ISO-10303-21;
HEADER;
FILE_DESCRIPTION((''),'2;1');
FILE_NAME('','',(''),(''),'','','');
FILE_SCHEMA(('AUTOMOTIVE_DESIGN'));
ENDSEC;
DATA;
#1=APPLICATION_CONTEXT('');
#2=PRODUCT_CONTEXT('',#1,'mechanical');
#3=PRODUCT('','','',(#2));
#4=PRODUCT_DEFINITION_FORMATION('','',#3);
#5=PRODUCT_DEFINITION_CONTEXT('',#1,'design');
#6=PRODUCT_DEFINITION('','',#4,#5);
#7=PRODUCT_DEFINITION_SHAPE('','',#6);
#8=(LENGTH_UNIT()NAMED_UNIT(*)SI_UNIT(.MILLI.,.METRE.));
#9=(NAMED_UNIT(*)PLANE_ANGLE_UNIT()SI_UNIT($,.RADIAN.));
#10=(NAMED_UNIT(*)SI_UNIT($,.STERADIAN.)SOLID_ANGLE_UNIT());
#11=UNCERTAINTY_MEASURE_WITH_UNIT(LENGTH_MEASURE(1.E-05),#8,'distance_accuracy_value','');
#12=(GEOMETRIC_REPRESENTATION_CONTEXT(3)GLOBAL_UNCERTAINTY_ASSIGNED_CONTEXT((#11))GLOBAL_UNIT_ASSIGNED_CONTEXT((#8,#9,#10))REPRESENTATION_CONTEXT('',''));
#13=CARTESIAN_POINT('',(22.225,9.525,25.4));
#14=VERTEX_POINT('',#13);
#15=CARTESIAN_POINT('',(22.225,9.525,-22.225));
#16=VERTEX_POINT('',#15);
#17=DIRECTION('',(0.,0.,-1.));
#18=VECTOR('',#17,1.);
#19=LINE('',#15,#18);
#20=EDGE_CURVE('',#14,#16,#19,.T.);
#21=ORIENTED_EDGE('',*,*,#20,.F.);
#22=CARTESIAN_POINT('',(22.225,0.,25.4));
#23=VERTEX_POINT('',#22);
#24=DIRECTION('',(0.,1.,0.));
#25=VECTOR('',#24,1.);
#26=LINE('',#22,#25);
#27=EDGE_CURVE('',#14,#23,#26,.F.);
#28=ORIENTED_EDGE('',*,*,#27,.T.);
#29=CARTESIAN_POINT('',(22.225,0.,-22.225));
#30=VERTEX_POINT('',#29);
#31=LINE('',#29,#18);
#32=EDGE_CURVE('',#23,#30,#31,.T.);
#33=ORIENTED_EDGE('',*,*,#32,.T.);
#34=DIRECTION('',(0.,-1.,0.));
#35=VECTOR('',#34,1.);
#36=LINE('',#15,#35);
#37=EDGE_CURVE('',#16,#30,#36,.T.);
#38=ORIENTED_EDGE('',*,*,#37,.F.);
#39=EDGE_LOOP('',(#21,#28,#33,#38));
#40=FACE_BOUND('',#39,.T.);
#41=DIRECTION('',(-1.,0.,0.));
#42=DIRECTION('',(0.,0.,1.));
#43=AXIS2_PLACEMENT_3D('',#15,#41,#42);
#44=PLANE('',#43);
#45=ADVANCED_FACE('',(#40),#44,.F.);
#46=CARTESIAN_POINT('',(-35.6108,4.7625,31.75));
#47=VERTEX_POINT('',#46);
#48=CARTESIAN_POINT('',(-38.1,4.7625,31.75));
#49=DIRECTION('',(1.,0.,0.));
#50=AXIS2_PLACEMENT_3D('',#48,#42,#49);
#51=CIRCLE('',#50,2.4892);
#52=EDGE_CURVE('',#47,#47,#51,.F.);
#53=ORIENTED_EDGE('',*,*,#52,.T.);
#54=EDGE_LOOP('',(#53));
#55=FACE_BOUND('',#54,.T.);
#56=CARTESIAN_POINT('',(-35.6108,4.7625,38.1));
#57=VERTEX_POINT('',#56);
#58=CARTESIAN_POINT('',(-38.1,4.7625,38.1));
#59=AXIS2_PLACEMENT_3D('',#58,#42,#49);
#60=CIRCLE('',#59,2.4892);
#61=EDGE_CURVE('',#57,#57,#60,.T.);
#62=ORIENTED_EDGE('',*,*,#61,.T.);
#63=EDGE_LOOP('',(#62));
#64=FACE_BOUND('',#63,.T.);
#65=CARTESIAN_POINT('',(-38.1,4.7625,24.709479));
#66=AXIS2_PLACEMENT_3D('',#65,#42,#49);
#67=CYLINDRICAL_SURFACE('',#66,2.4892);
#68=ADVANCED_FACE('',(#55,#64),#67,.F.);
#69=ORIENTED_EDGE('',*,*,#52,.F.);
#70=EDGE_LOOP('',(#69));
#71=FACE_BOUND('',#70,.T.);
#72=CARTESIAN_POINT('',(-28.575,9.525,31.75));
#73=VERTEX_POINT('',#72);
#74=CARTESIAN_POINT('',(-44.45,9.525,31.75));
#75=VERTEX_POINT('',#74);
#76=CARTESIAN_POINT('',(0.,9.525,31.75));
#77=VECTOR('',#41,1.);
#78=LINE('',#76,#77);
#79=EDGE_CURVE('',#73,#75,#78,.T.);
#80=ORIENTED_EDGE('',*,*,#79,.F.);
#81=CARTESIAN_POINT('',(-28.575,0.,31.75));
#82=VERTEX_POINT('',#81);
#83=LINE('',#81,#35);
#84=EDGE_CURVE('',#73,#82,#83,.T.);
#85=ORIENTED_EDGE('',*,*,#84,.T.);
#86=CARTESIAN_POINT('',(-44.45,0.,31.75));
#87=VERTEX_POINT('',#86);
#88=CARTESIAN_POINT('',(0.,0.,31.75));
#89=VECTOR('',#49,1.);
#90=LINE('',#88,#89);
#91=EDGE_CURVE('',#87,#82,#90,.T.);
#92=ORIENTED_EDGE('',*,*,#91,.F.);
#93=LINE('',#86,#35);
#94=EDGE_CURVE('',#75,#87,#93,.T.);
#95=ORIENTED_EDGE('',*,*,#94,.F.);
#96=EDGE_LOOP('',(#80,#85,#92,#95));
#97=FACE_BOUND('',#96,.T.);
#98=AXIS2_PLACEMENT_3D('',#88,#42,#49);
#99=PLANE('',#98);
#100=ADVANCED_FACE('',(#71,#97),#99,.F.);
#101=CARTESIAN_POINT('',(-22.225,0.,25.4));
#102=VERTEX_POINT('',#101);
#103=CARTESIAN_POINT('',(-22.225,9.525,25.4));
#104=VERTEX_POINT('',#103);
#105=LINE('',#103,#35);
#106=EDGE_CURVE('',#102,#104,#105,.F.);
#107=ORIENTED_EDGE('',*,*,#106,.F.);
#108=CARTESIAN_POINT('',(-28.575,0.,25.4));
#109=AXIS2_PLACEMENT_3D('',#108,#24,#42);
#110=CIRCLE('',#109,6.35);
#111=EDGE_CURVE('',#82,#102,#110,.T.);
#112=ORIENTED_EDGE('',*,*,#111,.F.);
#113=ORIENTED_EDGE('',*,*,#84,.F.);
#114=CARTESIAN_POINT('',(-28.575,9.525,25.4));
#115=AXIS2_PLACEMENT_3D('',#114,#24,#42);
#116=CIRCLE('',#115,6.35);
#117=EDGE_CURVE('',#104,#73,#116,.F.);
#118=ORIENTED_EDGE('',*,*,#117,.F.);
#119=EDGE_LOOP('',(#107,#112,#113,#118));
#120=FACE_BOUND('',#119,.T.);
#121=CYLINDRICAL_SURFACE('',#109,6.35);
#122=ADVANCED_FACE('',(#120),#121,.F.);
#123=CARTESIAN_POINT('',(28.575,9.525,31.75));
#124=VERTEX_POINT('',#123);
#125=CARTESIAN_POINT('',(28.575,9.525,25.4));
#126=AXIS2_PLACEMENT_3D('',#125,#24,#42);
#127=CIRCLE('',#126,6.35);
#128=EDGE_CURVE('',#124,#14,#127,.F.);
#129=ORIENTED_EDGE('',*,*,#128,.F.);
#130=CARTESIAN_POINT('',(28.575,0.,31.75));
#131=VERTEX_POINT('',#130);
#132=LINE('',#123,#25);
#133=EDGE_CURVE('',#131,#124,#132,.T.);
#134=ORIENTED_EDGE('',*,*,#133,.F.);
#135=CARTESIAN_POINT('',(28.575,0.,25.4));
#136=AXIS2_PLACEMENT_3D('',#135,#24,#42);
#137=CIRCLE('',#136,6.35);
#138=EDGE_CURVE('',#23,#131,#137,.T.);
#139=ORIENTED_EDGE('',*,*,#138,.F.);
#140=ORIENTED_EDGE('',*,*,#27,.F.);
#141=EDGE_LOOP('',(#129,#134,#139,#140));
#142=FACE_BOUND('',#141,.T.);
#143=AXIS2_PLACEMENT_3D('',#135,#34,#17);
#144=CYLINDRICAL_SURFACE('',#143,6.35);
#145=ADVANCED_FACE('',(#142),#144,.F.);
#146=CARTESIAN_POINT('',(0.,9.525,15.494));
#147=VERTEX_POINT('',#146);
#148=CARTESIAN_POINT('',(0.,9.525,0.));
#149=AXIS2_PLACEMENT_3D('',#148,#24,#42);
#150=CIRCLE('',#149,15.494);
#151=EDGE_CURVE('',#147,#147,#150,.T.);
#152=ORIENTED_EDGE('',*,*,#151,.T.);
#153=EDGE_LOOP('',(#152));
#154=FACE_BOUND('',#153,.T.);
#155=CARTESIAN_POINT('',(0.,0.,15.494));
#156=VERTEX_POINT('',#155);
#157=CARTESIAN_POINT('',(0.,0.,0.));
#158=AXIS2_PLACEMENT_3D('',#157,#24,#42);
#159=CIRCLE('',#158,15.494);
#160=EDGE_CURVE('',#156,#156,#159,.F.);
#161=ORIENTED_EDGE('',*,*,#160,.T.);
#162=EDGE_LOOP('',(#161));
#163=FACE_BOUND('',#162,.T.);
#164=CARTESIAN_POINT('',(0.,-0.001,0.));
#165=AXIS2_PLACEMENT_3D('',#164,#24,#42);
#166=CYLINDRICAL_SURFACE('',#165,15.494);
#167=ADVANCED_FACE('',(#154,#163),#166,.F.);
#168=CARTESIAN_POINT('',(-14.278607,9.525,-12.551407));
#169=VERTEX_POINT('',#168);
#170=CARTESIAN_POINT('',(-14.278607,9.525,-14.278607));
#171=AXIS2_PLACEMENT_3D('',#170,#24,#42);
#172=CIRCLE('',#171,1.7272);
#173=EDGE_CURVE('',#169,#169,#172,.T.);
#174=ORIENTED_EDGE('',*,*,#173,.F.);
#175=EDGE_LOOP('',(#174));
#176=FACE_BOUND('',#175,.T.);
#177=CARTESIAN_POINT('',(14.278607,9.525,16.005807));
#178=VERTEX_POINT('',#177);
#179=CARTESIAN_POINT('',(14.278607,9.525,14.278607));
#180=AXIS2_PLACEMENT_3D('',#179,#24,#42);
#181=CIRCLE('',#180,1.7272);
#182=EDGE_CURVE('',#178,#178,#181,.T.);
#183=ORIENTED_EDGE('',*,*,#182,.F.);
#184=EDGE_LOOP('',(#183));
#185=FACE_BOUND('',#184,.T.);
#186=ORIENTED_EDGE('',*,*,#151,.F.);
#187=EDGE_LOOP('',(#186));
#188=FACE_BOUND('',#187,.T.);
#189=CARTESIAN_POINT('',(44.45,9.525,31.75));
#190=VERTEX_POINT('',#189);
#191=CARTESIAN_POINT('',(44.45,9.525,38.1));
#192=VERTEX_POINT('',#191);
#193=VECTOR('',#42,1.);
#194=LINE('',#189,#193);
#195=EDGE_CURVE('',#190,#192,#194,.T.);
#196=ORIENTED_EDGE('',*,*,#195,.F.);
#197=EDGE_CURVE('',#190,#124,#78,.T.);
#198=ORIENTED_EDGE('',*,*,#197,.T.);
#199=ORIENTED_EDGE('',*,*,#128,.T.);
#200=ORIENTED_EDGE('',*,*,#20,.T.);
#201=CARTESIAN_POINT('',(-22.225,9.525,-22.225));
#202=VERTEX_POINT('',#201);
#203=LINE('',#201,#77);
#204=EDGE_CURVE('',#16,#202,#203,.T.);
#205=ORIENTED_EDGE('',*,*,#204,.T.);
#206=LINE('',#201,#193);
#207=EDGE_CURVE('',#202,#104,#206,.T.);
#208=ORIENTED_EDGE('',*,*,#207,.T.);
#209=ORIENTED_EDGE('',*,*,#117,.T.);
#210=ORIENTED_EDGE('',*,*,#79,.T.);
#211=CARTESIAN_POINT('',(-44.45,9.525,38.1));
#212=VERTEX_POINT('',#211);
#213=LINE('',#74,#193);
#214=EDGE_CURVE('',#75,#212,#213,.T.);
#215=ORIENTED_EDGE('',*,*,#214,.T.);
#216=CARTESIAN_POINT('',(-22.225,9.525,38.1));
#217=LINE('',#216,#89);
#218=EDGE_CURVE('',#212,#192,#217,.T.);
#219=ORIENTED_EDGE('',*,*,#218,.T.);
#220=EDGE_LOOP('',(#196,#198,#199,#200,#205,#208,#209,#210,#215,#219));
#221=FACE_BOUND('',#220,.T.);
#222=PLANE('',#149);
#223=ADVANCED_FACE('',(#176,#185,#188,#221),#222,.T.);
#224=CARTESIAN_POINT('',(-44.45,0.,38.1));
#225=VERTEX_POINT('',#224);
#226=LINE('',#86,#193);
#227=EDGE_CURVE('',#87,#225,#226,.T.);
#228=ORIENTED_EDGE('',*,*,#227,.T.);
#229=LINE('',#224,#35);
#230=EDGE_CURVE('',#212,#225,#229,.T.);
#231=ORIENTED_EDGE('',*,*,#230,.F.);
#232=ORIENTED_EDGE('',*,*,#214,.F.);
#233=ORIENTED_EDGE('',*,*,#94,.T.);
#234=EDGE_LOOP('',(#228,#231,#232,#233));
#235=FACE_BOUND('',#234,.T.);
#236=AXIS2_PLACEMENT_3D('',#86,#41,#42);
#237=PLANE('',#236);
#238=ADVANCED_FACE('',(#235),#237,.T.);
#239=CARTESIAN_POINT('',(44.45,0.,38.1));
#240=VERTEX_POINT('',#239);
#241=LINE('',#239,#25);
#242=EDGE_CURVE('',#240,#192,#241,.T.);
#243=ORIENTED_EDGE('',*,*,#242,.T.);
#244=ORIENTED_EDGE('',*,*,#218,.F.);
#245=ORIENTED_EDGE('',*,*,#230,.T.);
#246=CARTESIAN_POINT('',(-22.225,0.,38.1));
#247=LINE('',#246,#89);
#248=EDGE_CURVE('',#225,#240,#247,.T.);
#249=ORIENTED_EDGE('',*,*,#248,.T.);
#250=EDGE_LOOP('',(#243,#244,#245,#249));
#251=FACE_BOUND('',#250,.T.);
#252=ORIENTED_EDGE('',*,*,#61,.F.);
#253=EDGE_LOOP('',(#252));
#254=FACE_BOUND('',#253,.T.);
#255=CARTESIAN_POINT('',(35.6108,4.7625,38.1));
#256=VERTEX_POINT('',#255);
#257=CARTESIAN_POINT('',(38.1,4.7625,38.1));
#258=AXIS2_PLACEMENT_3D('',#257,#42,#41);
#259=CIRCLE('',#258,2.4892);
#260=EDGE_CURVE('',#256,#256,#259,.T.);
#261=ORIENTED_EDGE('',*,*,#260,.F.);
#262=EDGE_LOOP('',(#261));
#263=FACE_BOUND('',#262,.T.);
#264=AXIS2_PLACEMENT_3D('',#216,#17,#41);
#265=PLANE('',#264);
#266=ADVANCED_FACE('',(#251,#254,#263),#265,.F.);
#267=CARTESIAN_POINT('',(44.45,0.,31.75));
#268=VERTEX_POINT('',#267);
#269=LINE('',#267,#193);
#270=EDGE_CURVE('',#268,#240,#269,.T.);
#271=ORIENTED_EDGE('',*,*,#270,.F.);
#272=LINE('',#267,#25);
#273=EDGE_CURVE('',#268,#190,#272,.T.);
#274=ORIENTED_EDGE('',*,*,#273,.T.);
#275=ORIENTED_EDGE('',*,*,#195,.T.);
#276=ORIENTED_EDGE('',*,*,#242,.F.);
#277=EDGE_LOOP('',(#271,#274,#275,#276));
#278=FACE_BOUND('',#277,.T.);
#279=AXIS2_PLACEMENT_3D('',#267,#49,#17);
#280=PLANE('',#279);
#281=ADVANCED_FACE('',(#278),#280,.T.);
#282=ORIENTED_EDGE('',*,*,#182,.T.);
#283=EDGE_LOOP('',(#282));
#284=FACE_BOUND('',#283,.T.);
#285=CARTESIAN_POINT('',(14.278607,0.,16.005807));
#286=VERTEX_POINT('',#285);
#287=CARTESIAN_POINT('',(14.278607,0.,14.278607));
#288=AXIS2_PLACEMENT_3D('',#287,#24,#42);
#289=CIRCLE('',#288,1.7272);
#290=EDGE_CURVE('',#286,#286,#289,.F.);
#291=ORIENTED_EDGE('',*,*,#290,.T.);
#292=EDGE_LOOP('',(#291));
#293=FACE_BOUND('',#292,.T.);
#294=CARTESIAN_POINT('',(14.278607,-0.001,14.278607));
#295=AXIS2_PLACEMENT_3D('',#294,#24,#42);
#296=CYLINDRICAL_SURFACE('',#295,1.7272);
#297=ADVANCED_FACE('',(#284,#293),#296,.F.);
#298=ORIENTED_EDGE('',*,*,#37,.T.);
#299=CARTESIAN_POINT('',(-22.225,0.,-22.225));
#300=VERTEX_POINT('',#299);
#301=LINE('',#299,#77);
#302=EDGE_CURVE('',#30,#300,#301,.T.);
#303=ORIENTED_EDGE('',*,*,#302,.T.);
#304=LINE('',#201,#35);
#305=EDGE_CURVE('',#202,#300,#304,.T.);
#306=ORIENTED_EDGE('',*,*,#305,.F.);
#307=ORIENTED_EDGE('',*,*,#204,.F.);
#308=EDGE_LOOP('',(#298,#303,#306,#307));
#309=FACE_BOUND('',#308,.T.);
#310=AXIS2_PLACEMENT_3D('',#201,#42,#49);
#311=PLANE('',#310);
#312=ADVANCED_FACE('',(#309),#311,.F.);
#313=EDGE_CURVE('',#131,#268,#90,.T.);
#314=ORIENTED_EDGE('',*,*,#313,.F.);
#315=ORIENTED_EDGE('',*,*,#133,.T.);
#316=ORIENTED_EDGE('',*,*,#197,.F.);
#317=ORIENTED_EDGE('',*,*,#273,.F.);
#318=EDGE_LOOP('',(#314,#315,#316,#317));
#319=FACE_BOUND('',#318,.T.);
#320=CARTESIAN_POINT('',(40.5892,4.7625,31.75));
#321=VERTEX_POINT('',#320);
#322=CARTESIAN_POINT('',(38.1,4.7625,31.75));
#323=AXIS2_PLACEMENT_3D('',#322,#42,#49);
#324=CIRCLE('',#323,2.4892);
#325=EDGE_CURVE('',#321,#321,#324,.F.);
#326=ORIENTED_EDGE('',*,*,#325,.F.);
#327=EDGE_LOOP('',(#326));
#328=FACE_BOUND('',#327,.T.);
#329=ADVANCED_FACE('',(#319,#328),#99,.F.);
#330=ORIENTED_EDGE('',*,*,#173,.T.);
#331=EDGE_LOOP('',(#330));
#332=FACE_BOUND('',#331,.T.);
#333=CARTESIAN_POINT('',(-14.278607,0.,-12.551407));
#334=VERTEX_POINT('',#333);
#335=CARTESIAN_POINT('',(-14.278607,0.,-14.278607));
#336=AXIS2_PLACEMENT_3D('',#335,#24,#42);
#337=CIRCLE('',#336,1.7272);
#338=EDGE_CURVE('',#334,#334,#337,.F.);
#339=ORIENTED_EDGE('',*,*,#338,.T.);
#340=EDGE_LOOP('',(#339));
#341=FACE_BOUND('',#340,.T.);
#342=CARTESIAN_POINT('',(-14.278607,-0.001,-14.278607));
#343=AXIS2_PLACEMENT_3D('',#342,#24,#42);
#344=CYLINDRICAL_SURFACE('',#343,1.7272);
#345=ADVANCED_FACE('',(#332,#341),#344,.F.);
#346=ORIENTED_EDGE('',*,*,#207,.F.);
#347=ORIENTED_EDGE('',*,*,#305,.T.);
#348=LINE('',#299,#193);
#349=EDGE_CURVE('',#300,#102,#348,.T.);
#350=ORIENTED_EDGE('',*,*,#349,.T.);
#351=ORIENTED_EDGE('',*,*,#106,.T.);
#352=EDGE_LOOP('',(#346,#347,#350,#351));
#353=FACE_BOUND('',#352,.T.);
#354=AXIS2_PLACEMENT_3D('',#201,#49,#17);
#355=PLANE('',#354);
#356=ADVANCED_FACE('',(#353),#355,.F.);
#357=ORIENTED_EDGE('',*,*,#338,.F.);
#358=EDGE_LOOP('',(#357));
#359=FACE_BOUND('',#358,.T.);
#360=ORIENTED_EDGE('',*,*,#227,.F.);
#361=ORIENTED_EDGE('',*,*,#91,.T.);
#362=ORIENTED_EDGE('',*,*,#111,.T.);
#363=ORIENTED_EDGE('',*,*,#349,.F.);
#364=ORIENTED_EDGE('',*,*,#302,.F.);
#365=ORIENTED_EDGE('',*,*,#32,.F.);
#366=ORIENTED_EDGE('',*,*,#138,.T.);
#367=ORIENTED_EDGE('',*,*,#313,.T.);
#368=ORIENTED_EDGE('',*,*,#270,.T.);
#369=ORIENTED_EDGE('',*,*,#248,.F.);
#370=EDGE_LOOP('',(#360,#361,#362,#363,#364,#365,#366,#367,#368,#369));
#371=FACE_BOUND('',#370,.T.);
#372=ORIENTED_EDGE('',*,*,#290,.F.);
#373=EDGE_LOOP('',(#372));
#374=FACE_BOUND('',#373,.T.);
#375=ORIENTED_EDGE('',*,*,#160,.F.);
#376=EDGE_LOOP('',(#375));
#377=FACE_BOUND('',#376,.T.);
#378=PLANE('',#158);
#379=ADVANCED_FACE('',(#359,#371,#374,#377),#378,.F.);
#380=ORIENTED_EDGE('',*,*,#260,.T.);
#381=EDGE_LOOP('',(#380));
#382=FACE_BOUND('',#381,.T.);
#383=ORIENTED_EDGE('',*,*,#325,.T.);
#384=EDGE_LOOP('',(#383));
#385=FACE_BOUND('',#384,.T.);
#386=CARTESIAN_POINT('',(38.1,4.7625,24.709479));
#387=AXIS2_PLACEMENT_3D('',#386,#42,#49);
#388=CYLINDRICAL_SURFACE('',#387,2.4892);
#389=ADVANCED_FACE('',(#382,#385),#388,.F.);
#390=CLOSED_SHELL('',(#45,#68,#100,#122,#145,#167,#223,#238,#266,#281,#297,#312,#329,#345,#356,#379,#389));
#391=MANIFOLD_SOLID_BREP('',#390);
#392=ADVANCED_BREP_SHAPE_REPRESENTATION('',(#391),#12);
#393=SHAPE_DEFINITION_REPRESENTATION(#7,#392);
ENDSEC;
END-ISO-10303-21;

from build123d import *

# Parameters (mm, degrees)
SKETCH1_W             = 44.45
SKETCH1_H             = 60.325
BOSS_EXTRUDE1_DEPTH   = 9.525
SKETCH7_W             = 22.225
SKETCH7_H             = 9.525
BOSS_EXTRUDE3_DEPTH   = 6.35
FILLET1_R             = 6.35
SKETCH8_R             = 2.4892
CUT_EXTRUDE1_DEPTH    = 6.35
CUT_EXTRUDE2_REACH    = 11.525
SKETCH10_R            = 15.494
SKETCH10_R_2          = 1.7272
F_8_32_TAPPED_HOLE2_D = 3.4544


with BuildPart() as part:
    # Sketch1 → Boss-Extrude1 (new body)
    with BuildSketch(Plane(origin=(0, 0, 0), x_dir=(1, 0, 0), z_dir=(0, 1, 0))):
        with Locations((0, -7.9375)):
            Rectangle(SKETCH1_W, SKETCH1_H)
    extrude(amount=BOSS_EXTRUDE1_DEPTH)

    # Sketch7 → Boss-Extrude3 (add)
    with BuildSketch(Plane.XY.offset(38.1)):
        with Locations((-33.3375, 4.7625)):
            Rectangle(SKETCH7_W, SKETCH7_H)
        with Locations((33.3375, 4.7625)):
            Rectangle(SKETCH7_W, SKETCH7_H)
    extrude(amount=-BOSS_EXTRUDE3_DEPTH)

    # Fillet1
    fillet1_edges = [part.edges().sort_by_distance(p)[0] for p in [
        (-22.225, 4.7625, 31.75),
        (22.225, 4.7625, 31.75),
    ]]
    fillet(fillet1_edges, radius=FILLET1_R)

    # Sketch8 → Cut-Extrude1 (cut)
    with BuildSketch(Plane.XY.offset(38.1)):
        with Locations((-38.1, 4.7625)):
            Circle(SKETCH8_R)
        with Locations((38.1, 4.7625)):
            Circle(SKETCH8_R)
    extrude(amount=-CUT_EXTRUDE1_DEPTH, mode=Mode.SUBTRACT)

    # Sketch10 → Cut-Extrude2 (cut, up to next)
    with BuildSketch(Plane(origin=(0, 9.525, 0), x_dir=(1, 0, 0), z_dir=(0, 1, 0)), mode=Mode.PRIVATE) as cut_extrude2_sk1:
        Circle(SKETCH10_R)
    cut_extrude2_tool1 = extrude(cut_extrude2_sk1.sketch, amount=-CUT_EXTRUDE2_REACH, mode=Mode.PRIVATE) & part.part
    add(cut_extrude2_tool1.solids().sort_by_distance((0, 9.525, 0))[0], mode=Mode.SUBTRACT)
    # Sketch10 → Cut-Extrude2 (cut, up to next)
    with BuildSketch(Plane(origin=(0, 9.525, 0), x_dir=(1, 0, 0), z_dir=(0, 1, 0)), mode=Mode.PRIVATE) as cut_extrude2_sk2:
        with Locations((-14.278607233, 14.278607232)):
            Circle(SKETCH10_R_2)
    cut_extrude2_tool2 = extrude(cut_extrude2_sk2.sketch, amount=-CUT_EXTRUDE2_REACH, mode=Mode.PRIVATE) & part.part
    add(cut_extrude2_tool2.solids().sort_by_distance((-14.278607, 9.525, -14.278607))[0], mode=Mode.SUBTRACT)
    # Sketch10 → Cut-Extrude2 (cut, up to next)
    with BuildSketch(Plane(origin=(0, 9.525, 0), x_dir=(1, 0, 0), z_dir=(0, 1, 0)), mode=Mode.PRIVATE) as cut_extrude2_sk3:
        with Locations((14.278607232, -14.278607232)):
            Circle(SKETCH10_R_2)
    cut_extrude2_tool3 = extrude(cut_extrude2_sk3.sketch, amount=-CUT_EXTRUDE2_REACH, mode=Mode.PRIVATE) & part.part
    add(cut_extrude2_tool3.solids().sort_by_distance((14.278607, 9.525, 14.278607))[0], mode=Mode.SUBTRACT)

    # #8-32 Tapped Hole2 (through all)
    with Locations(Plane(origin=(0, 9.525, 0), x_dir=(1, 0, 0), z_dir=(0, 1, 0))):
        with Locations((-14.278607233, 14.278607232), (14.278607232, -14.278607232)):
            Hole(F_8_32_TAPPED_HOLE2_D / 2)


solid = part.part
